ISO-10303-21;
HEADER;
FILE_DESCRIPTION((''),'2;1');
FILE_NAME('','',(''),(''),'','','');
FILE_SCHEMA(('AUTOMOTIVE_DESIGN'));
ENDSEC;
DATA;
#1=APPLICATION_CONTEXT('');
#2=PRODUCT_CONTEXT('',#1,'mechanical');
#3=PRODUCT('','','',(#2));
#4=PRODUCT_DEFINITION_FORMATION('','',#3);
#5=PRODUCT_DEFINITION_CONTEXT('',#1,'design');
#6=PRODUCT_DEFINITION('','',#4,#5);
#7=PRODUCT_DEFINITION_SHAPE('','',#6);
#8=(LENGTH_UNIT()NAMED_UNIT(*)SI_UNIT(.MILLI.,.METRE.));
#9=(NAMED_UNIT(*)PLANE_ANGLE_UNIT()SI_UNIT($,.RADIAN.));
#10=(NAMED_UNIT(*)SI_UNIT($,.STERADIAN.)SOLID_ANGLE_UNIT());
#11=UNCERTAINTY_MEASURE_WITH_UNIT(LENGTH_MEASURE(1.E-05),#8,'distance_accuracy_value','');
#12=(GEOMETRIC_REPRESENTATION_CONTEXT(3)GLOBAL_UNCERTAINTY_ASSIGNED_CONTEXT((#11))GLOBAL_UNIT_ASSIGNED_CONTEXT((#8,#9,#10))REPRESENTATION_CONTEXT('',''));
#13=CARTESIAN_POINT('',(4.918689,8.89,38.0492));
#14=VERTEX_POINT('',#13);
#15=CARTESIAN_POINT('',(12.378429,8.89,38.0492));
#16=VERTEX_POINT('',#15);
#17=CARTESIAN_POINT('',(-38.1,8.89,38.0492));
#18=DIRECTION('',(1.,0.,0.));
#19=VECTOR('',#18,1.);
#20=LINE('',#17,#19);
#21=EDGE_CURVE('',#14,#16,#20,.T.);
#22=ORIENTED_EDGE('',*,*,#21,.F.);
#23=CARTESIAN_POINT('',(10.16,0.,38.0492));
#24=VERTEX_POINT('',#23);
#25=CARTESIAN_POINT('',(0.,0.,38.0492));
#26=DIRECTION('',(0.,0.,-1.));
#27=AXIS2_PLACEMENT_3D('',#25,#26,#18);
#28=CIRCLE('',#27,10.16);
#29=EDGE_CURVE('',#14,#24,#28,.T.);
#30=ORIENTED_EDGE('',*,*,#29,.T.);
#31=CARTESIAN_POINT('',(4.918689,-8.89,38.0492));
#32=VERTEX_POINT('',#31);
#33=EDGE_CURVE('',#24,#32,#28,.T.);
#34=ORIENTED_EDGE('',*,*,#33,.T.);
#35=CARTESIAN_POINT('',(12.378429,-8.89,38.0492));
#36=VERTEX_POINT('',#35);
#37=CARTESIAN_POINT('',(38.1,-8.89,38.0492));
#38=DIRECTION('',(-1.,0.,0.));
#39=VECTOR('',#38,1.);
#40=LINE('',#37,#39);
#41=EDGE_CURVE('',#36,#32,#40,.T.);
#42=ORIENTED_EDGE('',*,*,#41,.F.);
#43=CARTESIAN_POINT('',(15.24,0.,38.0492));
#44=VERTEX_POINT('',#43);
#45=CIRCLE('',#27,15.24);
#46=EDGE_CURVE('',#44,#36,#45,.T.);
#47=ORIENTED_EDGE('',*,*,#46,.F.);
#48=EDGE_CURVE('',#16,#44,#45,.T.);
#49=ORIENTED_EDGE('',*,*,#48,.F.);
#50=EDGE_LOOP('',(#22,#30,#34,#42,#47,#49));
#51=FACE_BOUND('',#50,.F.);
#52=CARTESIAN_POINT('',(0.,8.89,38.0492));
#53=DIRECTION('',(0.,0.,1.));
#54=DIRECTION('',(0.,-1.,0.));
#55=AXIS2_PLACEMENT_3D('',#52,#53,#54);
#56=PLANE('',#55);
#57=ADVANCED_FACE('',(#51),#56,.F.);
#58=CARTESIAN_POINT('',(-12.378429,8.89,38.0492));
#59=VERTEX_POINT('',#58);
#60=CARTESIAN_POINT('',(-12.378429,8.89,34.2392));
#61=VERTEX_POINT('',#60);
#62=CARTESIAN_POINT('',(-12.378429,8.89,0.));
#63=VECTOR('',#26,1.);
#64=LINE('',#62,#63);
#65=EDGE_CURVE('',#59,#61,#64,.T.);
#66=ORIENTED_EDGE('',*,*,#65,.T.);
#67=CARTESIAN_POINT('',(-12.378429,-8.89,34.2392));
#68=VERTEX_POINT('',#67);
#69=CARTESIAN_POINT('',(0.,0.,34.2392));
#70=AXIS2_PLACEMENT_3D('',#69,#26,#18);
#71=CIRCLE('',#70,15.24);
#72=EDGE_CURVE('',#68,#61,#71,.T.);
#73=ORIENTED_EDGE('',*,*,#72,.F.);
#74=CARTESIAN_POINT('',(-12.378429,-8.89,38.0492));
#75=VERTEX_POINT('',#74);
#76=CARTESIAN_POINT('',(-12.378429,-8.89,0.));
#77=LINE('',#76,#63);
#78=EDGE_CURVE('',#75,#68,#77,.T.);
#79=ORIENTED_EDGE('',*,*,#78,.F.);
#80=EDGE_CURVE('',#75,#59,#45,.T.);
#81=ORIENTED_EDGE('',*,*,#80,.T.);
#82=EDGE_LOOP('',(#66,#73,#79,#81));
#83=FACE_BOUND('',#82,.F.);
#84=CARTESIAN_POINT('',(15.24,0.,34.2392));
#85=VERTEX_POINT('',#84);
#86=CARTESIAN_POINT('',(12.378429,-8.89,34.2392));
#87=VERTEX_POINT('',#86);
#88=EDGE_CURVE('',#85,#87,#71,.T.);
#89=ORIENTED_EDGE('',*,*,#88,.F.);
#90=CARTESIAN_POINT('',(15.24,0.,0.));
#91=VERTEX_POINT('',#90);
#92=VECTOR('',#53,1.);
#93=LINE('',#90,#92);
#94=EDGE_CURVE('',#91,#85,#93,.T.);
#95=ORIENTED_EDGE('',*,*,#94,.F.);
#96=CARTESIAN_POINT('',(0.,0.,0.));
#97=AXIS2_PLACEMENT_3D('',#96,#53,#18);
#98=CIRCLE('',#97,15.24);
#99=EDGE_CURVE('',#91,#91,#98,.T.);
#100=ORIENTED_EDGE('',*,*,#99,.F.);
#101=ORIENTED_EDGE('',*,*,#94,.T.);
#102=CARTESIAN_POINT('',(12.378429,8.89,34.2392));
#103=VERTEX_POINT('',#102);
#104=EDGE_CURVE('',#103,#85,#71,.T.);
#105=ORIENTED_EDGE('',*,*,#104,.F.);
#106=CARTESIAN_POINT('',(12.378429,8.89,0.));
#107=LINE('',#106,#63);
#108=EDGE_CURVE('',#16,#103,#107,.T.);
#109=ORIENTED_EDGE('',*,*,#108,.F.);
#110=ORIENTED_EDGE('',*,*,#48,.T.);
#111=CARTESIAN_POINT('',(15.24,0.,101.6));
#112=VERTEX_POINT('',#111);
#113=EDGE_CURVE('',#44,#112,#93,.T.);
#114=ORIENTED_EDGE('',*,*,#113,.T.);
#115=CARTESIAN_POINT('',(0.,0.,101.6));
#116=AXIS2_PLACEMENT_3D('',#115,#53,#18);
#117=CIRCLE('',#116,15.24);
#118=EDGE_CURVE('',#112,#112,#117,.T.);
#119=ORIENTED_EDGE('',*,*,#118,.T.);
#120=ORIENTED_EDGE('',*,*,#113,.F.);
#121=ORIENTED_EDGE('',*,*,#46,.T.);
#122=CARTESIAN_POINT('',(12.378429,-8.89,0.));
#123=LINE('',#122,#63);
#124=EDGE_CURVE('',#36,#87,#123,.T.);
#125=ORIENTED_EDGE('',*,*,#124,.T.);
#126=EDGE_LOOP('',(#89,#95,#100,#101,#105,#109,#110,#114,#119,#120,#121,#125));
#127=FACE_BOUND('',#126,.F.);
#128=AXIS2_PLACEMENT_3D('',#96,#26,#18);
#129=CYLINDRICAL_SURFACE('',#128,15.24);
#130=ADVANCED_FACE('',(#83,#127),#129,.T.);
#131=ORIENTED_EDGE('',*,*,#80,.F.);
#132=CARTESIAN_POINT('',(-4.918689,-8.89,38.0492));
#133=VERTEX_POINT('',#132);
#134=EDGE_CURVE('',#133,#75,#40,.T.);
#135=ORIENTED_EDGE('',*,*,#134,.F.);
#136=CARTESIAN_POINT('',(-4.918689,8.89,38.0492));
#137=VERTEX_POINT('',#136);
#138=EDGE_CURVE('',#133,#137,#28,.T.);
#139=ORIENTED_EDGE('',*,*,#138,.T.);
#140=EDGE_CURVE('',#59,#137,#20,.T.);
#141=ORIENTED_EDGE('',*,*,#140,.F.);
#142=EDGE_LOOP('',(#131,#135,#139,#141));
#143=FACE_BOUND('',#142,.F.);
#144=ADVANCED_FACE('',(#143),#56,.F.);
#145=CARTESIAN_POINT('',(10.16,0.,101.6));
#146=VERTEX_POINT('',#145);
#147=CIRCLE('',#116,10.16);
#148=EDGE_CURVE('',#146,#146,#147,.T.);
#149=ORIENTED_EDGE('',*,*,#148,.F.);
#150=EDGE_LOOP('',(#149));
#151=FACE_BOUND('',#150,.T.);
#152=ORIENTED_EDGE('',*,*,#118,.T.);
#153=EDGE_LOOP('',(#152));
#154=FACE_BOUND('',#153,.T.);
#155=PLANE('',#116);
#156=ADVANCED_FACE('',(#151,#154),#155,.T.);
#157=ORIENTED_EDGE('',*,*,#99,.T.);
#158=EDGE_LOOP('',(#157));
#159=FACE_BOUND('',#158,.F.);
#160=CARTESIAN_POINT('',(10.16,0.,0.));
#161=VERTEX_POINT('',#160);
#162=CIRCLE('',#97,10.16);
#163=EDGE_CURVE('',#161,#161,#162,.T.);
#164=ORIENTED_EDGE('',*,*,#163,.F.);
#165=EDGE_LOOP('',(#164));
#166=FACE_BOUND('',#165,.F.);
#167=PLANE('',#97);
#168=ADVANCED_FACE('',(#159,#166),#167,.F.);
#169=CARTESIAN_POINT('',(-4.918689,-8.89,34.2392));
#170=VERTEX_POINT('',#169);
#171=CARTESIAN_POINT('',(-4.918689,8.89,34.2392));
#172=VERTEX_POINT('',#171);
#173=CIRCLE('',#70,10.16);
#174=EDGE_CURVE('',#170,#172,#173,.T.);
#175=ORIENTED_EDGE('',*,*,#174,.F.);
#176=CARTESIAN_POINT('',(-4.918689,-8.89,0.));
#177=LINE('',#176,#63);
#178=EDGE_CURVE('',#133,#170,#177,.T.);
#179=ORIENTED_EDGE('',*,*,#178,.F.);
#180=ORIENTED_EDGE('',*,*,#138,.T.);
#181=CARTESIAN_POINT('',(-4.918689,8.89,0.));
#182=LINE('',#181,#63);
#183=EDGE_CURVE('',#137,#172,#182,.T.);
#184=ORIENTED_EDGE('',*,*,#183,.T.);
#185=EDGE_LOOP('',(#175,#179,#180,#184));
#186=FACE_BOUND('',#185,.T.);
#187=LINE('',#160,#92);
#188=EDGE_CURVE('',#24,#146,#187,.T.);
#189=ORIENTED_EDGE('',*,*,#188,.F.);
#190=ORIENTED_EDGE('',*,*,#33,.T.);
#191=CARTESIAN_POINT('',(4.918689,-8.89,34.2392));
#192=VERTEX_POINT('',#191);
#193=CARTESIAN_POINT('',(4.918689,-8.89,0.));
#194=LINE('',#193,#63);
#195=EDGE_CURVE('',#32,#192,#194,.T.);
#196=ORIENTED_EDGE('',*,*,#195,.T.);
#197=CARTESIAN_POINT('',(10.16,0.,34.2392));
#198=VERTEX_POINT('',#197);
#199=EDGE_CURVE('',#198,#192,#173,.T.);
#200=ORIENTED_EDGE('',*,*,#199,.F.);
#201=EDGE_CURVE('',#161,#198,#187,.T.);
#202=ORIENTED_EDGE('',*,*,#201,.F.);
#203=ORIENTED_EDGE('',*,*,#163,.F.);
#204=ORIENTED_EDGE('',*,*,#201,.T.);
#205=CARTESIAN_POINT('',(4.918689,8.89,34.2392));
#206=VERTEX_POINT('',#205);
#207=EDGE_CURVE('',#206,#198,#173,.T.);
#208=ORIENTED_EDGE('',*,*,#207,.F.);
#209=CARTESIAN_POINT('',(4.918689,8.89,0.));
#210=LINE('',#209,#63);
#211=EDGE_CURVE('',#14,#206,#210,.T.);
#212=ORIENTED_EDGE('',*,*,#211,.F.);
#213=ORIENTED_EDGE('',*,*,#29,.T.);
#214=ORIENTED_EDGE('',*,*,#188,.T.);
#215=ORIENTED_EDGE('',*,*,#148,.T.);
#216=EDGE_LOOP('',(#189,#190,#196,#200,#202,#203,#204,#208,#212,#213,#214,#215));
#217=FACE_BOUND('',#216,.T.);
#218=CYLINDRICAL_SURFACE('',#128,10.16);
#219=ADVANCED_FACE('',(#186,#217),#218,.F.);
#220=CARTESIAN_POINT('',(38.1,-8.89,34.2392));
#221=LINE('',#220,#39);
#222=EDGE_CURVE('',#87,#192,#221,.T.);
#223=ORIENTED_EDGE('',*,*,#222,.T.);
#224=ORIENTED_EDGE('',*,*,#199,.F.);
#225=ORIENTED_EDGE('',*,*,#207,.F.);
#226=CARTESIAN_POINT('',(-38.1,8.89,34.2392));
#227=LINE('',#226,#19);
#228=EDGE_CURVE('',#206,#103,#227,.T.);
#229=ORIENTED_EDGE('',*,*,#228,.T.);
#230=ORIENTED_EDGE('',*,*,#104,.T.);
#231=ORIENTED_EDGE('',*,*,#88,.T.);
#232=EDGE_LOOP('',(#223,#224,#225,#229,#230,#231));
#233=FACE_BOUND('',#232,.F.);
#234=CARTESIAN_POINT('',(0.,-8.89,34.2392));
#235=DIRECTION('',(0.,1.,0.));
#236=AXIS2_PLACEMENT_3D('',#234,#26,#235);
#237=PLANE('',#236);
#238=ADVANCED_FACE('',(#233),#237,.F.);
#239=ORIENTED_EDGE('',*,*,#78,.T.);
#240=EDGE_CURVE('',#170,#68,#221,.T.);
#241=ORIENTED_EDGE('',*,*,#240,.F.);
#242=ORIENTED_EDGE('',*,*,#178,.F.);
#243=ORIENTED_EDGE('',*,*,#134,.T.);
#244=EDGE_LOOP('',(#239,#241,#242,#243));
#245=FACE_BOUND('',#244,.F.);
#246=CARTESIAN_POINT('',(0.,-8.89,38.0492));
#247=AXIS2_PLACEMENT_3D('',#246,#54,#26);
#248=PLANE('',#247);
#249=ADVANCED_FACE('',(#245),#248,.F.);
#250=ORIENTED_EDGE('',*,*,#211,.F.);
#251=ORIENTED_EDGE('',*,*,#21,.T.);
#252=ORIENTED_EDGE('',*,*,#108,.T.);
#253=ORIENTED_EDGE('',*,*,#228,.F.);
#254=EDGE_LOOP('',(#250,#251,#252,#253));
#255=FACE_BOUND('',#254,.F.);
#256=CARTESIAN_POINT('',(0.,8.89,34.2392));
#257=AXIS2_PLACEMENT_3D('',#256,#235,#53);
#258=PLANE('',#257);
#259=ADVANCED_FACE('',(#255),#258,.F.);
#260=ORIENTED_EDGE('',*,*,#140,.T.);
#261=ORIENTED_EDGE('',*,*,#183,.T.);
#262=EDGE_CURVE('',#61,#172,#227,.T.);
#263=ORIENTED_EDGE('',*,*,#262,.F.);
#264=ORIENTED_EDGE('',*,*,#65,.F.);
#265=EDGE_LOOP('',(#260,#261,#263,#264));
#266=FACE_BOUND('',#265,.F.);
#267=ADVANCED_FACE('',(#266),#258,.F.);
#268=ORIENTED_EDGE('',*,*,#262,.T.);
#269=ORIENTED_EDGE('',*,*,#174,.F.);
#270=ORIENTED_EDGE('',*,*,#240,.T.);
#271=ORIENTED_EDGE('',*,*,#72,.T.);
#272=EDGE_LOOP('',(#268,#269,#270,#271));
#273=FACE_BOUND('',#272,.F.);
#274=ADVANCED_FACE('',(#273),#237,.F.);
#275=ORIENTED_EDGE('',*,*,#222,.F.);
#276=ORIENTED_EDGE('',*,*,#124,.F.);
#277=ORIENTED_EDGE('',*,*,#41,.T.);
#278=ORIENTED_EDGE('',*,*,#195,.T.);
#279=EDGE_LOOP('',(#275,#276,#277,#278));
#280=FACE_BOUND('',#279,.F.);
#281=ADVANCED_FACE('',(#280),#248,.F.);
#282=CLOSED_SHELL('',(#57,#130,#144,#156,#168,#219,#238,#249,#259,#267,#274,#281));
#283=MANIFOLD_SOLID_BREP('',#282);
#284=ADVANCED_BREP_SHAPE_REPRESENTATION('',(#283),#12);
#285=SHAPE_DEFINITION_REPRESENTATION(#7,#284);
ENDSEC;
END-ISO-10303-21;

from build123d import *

# Parameters (mm, degrees)
F0_R     = 15.24
F0_R_2   = 10.16
F1_DEPTH = 101.6
F3_DEPTH = 38.1


with BuildPart() as f1:
    # F0 (on Top) → F1 (new body)
    with BuildSketch(Plane.XY):
        Circle(F0_R)
        Circle(F0_R_2, mode=Mode.SUBTRACT)
    extrude(amount=F1_DEPTH)


with BuildPart() as f3:
    # F2 (on Right) → F3 (new body, symmetric)
    with BuildSketch(Plane.YZ):
        Polygon((-8.89, 34.2392), (0, 34.2392), (8.89, 34.2392), (8.89, 38.0492), (-8.89, 38.0492), align=None)
    extrude(amount=F3_DEPTH, both=True)


with BuildPart() as f1_1:
    add(f1.part)

    # F4: cut F3
    add(f3.part, mode=Mode.SUBTRACT)


solid = f1_1.part
